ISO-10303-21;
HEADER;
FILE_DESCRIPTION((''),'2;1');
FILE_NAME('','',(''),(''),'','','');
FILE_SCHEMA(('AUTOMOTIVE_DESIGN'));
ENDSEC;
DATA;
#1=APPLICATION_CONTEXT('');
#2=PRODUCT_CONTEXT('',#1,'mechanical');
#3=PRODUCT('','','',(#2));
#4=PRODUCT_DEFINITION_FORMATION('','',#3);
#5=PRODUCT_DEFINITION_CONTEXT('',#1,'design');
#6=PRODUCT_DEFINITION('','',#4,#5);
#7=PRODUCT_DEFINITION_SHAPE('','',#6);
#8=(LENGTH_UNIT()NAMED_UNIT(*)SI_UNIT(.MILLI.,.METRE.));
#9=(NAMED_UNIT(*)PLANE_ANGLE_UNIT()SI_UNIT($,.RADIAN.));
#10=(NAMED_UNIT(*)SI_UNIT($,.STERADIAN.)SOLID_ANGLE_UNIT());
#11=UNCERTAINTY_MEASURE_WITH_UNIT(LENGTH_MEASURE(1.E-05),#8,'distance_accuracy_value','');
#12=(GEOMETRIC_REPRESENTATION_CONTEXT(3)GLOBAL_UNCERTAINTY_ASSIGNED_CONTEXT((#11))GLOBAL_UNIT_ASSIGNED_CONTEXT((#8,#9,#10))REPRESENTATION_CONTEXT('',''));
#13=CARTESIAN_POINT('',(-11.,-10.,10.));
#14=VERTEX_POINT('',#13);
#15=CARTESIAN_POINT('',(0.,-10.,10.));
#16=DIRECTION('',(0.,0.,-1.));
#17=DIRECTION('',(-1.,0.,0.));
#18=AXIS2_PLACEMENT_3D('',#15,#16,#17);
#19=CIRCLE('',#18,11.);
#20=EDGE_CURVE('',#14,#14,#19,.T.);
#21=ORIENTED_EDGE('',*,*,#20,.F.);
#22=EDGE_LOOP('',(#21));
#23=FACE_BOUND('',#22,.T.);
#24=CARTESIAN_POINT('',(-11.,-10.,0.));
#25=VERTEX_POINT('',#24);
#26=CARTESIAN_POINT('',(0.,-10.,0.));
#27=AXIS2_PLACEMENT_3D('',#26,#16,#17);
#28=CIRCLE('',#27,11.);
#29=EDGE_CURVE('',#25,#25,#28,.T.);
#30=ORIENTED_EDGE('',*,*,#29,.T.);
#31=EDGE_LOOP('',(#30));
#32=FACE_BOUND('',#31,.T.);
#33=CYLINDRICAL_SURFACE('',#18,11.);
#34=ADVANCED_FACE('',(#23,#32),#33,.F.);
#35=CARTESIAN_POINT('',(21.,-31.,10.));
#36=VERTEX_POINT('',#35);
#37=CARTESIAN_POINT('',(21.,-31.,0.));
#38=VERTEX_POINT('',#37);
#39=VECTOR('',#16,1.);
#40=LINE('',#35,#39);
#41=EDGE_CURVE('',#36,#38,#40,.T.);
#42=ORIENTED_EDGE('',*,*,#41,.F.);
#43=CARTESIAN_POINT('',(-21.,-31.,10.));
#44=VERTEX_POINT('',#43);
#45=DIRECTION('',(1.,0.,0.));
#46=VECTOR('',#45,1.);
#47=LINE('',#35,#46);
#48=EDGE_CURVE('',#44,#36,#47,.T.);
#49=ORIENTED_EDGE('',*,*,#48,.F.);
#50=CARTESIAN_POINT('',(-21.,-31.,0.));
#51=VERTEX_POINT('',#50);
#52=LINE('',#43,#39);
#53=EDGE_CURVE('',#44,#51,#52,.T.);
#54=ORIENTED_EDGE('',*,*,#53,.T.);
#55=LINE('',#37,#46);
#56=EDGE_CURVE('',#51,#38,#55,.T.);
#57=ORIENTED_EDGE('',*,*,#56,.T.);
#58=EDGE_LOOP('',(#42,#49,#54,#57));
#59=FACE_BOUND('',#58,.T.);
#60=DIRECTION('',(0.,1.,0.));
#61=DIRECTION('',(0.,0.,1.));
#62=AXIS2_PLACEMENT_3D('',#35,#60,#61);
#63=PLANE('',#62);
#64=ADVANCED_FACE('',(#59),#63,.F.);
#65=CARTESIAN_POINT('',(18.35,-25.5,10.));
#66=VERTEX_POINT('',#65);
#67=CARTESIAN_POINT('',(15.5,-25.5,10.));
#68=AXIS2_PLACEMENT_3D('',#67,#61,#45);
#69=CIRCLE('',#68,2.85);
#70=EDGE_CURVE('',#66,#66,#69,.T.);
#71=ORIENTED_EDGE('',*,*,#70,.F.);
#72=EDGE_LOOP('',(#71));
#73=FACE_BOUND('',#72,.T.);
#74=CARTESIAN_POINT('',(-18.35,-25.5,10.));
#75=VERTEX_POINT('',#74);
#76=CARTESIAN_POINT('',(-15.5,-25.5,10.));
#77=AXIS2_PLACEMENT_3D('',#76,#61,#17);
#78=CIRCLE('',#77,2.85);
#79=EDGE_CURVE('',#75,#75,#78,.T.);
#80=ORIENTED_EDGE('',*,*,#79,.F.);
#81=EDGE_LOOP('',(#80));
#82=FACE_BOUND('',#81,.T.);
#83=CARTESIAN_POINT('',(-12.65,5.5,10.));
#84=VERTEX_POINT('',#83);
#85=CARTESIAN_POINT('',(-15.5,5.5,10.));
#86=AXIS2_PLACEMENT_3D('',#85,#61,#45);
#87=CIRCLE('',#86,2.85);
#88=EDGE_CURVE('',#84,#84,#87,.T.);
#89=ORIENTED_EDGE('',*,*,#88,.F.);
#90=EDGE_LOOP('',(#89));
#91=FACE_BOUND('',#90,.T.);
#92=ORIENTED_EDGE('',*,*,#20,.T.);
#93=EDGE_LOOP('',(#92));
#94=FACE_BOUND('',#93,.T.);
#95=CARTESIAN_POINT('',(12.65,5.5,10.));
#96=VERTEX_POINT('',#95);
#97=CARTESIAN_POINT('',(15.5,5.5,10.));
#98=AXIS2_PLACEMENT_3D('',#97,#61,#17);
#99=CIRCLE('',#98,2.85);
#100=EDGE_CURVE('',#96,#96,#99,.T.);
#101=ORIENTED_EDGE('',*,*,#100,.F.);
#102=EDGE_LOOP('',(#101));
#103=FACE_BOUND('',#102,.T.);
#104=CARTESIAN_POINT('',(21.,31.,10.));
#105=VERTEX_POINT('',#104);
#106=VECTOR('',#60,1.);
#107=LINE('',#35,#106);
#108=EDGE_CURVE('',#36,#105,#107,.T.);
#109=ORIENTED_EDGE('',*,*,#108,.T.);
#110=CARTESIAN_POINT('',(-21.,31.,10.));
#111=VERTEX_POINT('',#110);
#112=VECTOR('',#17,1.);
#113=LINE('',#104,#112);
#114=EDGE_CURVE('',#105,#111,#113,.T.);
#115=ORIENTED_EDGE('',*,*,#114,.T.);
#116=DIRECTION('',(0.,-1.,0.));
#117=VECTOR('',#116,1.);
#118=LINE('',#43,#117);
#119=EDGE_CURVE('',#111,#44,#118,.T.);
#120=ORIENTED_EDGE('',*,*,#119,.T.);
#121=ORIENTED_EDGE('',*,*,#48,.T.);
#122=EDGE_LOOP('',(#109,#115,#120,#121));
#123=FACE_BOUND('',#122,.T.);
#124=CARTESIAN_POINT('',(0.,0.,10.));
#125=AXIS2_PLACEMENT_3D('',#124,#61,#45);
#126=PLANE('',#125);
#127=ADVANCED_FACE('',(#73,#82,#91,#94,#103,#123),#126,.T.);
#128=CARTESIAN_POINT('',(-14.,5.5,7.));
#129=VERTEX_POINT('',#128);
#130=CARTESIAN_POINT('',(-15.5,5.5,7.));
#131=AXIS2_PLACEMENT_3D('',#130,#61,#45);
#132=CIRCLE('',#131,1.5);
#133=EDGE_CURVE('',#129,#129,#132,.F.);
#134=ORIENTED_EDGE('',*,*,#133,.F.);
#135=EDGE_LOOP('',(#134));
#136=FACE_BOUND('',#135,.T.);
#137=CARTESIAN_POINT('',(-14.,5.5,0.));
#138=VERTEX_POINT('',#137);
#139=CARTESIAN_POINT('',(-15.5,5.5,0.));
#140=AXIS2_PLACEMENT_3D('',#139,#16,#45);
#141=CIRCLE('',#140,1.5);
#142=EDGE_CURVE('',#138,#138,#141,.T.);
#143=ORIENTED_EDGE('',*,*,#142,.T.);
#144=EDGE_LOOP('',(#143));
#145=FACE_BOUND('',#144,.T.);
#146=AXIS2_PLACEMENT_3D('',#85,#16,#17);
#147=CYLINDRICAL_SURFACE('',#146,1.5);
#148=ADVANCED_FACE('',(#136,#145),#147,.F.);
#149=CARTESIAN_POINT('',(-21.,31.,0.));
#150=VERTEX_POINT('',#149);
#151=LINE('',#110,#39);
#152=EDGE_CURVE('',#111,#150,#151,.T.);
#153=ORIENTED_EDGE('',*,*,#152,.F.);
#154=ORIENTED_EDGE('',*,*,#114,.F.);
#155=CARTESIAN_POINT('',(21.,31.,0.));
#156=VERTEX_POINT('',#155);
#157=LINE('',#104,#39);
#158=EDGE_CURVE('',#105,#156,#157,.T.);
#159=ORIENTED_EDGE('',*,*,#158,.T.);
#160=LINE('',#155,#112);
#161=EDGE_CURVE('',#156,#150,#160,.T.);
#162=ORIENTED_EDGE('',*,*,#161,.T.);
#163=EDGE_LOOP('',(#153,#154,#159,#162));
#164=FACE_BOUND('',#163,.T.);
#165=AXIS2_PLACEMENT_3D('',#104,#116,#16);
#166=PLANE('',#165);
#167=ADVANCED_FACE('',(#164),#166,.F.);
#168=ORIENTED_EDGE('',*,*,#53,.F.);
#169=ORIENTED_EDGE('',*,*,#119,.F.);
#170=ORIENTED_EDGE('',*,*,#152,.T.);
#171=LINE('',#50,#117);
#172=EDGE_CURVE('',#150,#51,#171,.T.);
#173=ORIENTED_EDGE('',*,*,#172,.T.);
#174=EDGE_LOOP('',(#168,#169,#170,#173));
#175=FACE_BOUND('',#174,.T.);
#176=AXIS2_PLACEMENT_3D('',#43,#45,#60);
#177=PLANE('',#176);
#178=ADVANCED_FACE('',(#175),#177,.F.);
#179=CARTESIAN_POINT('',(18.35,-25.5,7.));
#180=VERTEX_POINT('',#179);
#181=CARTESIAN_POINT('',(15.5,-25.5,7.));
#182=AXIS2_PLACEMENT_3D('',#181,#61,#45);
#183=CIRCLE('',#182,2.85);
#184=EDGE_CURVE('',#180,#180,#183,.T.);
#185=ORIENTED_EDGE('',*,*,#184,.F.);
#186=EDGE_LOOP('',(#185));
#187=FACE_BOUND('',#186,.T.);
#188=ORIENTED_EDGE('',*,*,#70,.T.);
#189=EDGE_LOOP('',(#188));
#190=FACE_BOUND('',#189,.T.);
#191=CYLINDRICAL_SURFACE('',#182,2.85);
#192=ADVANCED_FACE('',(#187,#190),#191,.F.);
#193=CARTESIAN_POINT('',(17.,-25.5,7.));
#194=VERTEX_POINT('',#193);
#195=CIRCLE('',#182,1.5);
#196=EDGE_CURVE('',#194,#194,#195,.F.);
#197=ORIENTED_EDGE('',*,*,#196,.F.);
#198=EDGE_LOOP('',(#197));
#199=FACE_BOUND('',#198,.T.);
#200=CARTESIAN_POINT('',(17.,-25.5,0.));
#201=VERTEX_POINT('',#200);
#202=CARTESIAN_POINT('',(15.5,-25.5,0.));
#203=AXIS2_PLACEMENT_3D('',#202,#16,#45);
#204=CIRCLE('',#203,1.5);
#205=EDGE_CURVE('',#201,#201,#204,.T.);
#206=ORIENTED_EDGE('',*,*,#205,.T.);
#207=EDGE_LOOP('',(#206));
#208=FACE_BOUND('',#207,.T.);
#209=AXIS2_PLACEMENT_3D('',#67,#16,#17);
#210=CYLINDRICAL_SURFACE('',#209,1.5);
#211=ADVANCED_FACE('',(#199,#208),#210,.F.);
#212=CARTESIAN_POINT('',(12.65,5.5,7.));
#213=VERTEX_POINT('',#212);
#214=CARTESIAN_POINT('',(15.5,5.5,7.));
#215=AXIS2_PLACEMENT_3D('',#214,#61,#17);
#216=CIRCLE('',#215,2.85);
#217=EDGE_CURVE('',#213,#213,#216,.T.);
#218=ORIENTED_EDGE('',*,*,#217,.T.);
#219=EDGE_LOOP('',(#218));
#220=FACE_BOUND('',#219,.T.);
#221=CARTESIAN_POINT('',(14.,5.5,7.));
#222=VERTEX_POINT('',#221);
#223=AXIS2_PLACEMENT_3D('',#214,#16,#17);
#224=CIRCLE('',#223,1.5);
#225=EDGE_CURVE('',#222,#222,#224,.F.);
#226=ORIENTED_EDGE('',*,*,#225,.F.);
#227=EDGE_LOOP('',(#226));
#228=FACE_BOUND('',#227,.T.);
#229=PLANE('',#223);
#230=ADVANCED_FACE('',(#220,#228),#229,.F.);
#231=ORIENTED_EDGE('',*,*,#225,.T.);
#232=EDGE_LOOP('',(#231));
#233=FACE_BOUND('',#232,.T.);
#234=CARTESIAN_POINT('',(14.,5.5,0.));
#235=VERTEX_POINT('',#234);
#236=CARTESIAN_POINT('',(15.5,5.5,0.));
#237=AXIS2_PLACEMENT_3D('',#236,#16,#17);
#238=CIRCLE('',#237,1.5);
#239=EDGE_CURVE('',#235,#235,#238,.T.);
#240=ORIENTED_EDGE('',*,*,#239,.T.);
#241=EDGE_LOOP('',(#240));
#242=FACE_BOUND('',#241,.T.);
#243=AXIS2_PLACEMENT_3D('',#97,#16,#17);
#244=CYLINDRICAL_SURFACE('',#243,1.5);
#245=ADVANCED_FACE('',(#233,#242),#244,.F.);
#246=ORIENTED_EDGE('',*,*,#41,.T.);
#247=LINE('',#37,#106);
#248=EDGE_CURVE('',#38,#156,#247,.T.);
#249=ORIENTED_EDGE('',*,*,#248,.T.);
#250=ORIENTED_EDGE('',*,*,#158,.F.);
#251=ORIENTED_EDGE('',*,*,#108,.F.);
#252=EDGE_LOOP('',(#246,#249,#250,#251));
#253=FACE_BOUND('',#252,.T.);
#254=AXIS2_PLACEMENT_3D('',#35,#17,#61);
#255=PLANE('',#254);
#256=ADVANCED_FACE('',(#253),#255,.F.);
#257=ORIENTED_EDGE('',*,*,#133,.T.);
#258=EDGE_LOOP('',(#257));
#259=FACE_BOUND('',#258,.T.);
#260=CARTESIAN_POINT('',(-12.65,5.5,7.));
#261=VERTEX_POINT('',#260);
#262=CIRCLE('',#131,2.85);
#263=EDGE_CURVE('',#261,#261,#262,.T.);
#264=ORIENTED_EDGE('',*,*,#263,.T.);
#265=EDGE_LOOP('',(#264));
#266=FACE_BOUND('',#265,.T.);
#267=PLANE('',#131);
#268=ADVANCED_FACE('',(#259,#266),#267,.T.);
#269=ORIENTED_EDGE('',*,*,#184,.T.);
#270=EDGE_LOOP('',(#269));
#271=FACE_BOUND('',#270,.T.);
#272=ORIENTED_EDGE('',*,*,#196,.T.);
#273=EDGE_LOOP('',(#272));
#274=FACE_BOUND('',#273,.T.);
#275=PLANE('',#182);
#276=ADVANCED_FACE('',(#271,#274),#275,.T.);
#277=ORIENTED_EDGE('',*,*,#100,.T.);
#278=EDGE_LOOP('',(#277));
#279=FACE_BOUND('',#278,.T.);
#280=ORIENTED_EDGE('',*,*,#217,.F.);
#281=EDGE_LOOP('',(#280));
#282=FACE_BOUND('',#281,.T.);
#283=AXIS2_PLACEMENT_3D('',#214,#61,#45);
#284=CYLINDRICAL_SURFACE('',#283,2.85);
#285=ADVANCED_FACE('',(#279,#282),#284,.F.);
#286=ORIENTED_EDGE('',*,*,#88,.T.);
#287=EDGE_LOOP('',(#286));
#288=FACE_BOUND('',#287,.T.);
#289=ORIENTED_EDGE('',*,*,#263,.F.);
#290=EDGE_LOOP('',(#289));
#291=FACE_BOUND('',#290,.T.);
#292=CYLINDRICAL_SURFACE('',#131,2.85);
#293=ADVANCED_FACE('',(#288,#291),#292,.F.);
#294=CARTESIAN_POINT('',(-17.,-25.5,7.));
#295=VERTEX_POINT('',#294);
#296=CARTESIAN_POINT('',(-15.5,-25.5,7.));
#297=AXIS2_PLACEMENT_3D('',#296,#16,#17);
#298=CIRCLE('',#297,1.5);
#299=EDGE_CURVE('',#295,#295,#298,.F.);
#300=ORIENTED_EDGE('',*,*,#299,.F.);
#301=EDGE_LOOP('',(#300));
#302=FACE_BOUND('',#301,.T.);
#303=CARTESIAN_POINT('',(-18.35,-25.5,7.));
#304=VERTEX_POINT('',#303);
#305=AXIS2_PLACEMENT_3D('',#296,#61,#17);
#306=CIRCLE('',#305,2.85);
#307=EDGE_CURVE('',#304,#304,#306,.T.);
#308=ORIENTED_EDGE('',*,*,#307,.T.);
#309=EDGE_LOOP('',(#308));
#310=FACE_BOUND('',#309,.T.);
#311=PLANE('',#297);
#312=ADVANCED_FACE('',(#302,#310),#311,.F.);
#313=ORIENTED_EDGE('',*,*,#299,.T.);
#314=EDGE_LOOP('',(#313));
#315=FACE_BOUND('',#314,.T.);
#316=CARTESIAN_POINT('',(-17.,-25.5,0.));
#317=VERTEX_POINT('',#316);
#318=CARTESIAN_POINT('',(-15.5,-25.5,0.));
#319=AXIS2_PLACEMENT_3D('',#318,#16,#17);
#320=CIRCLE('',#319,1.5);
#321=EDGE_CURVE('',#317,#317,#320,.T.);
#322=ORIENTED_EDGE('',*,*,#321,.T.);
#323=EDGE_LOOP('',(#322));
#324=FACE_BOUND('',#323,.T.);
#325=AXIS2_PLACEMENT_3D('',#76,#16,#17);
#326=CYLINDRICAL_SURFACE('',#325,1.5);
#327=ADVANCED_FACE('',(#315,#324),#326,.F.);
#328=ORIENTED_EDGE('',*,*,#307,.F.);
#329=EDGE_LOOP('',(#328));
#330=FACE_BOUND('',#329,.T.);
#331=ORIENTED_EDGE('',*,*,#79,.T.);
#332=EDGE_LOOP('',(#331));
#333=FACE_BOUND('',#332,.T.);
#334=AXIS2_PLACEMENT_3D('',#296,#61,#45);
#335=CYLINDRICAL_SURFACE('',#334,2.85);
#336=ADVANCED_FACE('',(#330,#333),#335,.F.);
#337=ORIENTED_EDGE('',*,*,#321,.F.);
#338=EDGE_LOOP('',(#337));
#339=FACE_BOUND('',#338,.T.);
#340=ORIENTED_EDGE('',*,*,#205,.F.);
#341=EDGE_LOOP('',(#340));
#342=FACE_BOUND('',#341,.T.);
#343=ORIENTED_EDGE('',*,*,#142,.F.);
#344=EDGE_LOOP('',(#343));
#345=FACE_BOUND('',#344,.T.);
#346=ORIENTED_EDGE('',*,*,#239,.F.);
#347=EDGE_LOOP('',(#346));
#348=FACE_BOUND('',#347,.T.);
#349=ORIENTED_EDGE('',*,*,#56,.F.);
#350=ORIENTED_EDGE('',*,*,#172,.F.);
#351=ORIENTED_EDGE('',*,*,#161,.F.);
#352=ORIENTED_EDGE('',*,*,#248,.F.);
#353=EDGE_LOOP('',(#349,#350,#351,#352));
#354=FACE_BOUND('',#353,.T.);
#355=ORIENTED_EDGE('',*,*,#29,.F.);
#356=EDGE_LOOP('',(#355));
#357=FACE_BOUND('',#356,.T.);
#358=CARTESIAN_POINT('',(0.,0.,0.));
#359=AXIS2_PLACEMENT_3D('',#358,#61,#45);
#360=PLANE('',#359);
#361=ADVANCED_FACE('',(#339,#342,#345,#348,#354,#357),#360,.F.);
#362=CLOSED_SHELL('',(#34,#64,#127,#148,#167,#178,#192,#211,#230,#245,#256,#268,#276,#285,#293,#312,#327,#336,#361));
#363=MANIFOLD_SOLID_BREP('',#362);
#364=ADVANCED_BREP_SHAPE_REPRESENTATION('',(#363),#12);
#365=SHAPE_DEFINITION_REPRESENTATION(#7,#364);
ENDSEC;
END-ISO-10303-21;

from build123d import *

# Parameters (mm, degrees)
SKETCH1_W           = 42
SKETCH1_H           = 62
BOSS_EXTRUDE1_DEPTH = 10
SKETCH2_R           = 1.5
SKETCH2_R_2         = 11
CUT_EXTRUDE1_DEPTH  = 11
SKETCH3_R           = 2.85
CUT_EXTRUDE2_DEPTH  = 3


with BuildPart() as part:
    # Sketch1 → Boss-Extrude1 (new body)
    with BuildSketch(Plane.XY):
        Rectangle(SKETCH1_W, SKETCH1_H)
    extrude(amount=BOSS_EXTRUDE1_DEPTH)

    # Sketch2 → Cut-Extrude1 (cut, through all)
    with BuildSketch(Plane(origin=(0, 0, 0), x_dir=(-1, 0, 0), z_dir=(0, 0, -1))):
        with Locations((15.5, 5.5)):
            Circle(SKETCH2_R)
        with Locations((15.5, -25.5)):
            Circle(SKETCH2_R)
        with Locations((-15.5, -25.5)):
            Circle(SKETCH2_R)
        with Locations((-15.5, 5.5)):
            Circle(SKETCH2_R)
        with Locations((0, -10)):
            Circle(SKETCH2_R_2)
    extrude(amount=-CUT_EXTRUDE1_DEPTH, mode=Mode.SUBTRACT)

    # Sketch3 → Cut-Extrude2 (cut)
    with BuildSketch(Plane.XY.offset(10)):
        with Locations((-15.5, 5.5)):
            Circle(SKETCH3_R)
        with Locations((15.5, 5.5)):
            Circle(SKETCH3_R)
        with Locations((15.5, -25.5)):
            Circle(SKETCH3_R)
        with Locations((-15.5, -25.5)):
            Circle(SKETCH3_R)
    extrude(amount=-CUT_EXTRUDE2_DEPTH, mode=Mode.SUBTRACT)


solid = part.part
